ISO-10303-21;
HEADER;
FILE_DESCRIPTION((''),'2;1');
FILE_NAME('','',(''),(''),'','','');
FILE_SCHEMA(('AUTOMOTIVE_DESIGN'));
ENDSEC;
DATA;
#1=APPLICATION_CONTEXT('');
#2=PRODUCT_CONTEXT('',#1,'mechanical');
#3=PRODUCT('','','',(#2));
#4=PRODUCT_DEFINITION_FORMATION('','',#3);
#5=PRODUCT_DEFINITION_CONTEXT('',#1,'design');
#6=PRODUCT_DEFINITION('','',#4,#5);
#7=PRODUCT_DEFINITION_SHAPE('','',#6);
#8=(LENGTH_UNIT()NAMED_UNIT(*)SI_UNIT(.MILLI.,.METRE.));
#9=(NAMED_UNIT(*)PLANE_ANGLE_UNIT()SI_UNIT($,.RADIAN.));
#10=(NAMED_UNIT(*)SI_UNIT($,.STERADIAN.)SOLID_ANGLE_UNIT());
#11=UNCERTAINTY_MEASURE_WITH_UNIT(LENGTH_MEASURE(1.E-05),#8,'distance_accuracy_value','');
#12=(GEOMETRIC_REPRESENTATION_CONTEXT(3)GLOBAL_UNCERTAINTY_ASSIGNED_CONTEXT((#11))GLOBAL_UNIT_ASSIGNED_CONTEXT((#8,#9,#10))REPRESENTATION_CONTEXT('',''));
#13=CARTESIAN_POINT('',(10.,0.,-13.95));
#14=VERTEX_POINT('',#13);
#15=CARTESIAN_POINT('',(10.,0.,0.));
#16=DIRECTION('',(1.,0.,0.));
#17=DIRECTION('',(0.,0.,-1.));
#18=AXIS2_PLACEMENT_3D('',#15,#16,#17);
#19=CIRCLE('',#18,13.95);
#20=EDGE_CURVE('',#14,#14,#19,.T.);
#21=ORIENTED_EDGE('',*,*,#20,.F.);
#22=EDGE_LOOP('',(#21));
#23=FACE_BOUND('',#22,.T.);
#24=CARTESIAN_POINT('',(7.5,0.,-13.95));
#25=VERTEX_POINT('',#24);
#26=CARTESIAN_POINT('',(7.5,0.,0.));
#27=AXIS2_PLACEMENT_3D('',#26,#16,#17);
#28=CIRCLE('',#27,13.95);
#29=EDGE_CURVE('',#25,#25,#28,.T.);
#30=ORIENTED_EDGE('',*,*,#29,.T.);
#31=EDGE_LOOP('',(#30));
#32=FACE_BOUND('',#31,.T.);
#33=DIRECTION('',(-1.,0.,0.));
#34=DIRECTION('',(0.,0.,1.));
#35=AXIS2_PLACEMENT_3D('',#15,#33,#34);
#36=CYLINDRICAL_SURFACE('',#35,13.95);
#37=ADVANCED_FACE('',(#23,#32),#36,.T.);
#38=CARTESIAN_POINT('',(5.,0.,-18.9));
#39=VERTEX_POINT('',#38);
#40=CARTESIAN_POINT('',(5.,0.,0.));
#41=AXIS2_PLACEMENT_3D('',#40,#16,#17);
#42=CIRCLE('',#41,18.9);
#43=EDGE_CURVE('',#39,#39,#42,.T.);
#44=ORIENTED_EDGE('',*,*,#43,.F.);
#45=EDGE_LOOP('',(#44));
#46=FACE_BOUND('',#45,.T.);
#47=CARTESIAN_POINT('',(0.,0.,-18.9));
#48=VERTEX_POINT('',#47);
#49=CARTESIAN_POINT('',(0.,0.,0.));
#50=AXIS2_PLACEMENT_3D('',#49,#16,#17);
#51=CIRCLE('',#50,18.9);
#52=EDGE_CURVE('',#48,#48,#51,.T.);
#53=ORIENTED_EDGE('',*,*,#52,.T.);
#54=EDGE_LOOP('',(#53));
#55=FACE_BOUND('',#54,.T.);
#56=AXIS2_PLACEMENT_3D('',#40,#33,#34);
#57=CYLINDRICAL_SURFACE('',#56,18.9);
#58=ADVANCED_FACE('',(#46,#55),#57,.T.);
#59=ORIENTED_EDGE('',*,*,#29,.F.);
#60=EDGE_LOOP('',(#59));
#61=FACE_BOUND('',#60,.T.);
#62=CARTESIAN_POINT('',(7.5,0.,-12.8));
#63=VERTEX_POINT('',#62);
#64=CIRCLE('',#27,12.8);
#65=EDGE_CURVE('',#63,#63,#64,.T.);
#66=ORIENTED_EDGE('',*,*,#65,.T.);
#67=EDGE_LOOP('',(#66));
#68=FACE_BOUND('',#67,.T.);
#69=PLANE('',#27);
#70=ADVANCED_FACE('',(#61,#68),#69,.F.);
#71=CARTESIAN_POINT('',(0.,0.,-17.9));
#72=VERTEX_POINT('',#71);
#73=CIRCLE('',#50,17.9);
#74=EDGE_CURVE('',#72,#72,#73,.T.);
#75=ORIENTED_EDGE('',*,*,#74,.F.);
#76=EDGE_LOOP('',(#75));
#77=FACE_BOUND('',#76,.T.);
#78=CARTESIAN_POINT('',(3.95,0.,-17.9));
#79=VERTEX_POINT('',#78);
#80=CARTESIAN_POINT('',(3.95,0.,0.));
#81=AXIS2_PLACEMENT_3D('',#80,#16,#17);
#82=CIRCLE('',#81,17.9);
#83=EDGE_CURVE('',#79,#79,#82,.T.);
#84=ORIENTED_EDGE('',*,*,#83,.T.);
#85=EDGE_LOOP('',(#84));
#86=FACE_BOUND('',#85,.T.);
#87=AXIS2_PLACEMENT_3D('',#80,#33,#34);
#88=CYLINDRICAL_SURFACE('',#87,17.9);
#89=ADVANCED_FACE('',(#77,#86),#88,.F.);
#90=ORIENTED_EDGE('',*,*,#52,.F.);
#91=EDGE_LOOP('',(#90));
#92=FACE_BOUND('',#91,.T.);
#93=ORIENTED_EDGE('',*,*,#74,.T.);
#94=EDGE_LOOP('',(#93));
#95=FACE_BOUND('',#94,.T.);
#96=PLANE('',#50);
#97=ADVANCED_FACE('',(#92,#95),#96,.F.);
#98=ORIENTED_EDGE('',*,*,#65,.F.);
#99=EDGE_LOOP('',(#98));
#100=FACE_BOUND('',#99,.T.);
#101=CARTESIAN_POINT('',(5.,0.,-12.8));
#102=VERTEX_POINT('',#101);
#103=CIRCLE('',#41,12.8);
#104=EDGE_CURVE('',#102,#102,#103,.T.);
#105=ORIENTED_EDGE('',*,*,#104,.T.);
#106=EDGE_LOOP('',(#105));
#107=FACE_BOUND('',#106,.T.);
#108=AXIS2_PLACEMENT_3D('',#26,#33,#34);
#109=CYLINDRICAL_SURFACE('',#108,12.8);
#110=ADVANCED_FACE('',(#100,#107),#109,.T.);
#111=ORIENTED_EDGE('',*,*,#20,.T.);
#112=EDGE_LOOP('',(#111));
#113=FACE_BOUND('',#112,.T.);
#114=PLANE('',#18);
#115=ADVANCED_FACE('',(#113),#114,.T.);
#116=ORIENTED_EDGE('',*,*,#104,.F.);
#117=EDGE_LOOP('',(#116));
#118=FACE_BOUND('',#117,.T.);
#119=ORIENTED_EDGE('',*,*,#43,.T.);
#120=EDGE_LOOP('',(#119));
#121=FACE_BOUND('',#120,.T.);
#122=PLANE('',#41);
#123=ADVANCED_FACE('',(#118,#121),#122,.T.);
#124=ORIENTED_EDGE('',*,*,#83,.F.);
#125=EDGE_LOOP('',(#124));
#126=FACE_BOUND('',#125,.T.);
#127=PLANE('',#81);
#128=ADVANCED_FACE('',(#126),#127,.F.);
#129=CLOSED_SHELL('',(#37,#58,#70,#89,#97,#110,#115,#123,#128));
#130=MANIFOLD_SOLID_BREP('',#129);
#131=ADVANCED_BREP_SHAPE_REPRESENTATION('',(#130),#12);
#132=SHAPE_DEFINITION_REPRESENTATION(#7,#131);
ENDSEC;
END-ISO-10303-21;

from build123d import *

# Parameters (mm, degrees)
SKETCH2_R           = 18.9
BOSS_EXTRUDE1_DEPTH = 5
SKETCH2_4_R         = 17.9
CUT_EXTRUDE1_DEPTH  = 3.95
SKETCH7_R           = 12.8
BOSS_EXTRUDE2_DEPTH = 2.5
SKETCH8_R           = 13.95
BOSS_EXTRUDE3_DEPTH = 2.5


with BuildPart() as part:
    # Sketch2 → Boss-Extrude1 (new body)
    with BuildSketch(Plane(origin=(0, 0, 0), x_dir=(0, 0, -1), z_dir=(1, 0, 0))):
        Circle(SKETCH2_R)
    extrude(amount=BOSS_EXTRUDE1_DEPTH)

    # Sketch2<4> → Cut-Extrude1 (cut)
    with BuildSketch(Plane(origin=(0, 0, 0), x_dir=(0, 0, -1), z_dir=(1, 0, 0))):
        Circle(SKETCH2_4_R)
    extrude(amount=CUT_EXTRUDE1_DEPTH, mode=Mode.SUBTRACT)

    # Sketch7 → Boss-Extrude2 (add)
    with BuildSketch(Plane(origin=(5, 0, 0), x_dir=(0, 0, -1), z_dir=(1, 0, 0))):
        Circle(SKETCH7_R)
    extrude(amount=BOSS_EXTRUDE2_DEPTH)

    # Sketch8 → Boss-Extrude3 (add)
    with BuildSketch(Plane(origin=(7.5, 0, 0), x_dir=(0, 0, -1), z_dir=(1, 0, 0))):
        Circle(SKETCH8_R)
    extrude(amount=BOSS_EXTRUDE3_DEPTH)


solid = part.part
